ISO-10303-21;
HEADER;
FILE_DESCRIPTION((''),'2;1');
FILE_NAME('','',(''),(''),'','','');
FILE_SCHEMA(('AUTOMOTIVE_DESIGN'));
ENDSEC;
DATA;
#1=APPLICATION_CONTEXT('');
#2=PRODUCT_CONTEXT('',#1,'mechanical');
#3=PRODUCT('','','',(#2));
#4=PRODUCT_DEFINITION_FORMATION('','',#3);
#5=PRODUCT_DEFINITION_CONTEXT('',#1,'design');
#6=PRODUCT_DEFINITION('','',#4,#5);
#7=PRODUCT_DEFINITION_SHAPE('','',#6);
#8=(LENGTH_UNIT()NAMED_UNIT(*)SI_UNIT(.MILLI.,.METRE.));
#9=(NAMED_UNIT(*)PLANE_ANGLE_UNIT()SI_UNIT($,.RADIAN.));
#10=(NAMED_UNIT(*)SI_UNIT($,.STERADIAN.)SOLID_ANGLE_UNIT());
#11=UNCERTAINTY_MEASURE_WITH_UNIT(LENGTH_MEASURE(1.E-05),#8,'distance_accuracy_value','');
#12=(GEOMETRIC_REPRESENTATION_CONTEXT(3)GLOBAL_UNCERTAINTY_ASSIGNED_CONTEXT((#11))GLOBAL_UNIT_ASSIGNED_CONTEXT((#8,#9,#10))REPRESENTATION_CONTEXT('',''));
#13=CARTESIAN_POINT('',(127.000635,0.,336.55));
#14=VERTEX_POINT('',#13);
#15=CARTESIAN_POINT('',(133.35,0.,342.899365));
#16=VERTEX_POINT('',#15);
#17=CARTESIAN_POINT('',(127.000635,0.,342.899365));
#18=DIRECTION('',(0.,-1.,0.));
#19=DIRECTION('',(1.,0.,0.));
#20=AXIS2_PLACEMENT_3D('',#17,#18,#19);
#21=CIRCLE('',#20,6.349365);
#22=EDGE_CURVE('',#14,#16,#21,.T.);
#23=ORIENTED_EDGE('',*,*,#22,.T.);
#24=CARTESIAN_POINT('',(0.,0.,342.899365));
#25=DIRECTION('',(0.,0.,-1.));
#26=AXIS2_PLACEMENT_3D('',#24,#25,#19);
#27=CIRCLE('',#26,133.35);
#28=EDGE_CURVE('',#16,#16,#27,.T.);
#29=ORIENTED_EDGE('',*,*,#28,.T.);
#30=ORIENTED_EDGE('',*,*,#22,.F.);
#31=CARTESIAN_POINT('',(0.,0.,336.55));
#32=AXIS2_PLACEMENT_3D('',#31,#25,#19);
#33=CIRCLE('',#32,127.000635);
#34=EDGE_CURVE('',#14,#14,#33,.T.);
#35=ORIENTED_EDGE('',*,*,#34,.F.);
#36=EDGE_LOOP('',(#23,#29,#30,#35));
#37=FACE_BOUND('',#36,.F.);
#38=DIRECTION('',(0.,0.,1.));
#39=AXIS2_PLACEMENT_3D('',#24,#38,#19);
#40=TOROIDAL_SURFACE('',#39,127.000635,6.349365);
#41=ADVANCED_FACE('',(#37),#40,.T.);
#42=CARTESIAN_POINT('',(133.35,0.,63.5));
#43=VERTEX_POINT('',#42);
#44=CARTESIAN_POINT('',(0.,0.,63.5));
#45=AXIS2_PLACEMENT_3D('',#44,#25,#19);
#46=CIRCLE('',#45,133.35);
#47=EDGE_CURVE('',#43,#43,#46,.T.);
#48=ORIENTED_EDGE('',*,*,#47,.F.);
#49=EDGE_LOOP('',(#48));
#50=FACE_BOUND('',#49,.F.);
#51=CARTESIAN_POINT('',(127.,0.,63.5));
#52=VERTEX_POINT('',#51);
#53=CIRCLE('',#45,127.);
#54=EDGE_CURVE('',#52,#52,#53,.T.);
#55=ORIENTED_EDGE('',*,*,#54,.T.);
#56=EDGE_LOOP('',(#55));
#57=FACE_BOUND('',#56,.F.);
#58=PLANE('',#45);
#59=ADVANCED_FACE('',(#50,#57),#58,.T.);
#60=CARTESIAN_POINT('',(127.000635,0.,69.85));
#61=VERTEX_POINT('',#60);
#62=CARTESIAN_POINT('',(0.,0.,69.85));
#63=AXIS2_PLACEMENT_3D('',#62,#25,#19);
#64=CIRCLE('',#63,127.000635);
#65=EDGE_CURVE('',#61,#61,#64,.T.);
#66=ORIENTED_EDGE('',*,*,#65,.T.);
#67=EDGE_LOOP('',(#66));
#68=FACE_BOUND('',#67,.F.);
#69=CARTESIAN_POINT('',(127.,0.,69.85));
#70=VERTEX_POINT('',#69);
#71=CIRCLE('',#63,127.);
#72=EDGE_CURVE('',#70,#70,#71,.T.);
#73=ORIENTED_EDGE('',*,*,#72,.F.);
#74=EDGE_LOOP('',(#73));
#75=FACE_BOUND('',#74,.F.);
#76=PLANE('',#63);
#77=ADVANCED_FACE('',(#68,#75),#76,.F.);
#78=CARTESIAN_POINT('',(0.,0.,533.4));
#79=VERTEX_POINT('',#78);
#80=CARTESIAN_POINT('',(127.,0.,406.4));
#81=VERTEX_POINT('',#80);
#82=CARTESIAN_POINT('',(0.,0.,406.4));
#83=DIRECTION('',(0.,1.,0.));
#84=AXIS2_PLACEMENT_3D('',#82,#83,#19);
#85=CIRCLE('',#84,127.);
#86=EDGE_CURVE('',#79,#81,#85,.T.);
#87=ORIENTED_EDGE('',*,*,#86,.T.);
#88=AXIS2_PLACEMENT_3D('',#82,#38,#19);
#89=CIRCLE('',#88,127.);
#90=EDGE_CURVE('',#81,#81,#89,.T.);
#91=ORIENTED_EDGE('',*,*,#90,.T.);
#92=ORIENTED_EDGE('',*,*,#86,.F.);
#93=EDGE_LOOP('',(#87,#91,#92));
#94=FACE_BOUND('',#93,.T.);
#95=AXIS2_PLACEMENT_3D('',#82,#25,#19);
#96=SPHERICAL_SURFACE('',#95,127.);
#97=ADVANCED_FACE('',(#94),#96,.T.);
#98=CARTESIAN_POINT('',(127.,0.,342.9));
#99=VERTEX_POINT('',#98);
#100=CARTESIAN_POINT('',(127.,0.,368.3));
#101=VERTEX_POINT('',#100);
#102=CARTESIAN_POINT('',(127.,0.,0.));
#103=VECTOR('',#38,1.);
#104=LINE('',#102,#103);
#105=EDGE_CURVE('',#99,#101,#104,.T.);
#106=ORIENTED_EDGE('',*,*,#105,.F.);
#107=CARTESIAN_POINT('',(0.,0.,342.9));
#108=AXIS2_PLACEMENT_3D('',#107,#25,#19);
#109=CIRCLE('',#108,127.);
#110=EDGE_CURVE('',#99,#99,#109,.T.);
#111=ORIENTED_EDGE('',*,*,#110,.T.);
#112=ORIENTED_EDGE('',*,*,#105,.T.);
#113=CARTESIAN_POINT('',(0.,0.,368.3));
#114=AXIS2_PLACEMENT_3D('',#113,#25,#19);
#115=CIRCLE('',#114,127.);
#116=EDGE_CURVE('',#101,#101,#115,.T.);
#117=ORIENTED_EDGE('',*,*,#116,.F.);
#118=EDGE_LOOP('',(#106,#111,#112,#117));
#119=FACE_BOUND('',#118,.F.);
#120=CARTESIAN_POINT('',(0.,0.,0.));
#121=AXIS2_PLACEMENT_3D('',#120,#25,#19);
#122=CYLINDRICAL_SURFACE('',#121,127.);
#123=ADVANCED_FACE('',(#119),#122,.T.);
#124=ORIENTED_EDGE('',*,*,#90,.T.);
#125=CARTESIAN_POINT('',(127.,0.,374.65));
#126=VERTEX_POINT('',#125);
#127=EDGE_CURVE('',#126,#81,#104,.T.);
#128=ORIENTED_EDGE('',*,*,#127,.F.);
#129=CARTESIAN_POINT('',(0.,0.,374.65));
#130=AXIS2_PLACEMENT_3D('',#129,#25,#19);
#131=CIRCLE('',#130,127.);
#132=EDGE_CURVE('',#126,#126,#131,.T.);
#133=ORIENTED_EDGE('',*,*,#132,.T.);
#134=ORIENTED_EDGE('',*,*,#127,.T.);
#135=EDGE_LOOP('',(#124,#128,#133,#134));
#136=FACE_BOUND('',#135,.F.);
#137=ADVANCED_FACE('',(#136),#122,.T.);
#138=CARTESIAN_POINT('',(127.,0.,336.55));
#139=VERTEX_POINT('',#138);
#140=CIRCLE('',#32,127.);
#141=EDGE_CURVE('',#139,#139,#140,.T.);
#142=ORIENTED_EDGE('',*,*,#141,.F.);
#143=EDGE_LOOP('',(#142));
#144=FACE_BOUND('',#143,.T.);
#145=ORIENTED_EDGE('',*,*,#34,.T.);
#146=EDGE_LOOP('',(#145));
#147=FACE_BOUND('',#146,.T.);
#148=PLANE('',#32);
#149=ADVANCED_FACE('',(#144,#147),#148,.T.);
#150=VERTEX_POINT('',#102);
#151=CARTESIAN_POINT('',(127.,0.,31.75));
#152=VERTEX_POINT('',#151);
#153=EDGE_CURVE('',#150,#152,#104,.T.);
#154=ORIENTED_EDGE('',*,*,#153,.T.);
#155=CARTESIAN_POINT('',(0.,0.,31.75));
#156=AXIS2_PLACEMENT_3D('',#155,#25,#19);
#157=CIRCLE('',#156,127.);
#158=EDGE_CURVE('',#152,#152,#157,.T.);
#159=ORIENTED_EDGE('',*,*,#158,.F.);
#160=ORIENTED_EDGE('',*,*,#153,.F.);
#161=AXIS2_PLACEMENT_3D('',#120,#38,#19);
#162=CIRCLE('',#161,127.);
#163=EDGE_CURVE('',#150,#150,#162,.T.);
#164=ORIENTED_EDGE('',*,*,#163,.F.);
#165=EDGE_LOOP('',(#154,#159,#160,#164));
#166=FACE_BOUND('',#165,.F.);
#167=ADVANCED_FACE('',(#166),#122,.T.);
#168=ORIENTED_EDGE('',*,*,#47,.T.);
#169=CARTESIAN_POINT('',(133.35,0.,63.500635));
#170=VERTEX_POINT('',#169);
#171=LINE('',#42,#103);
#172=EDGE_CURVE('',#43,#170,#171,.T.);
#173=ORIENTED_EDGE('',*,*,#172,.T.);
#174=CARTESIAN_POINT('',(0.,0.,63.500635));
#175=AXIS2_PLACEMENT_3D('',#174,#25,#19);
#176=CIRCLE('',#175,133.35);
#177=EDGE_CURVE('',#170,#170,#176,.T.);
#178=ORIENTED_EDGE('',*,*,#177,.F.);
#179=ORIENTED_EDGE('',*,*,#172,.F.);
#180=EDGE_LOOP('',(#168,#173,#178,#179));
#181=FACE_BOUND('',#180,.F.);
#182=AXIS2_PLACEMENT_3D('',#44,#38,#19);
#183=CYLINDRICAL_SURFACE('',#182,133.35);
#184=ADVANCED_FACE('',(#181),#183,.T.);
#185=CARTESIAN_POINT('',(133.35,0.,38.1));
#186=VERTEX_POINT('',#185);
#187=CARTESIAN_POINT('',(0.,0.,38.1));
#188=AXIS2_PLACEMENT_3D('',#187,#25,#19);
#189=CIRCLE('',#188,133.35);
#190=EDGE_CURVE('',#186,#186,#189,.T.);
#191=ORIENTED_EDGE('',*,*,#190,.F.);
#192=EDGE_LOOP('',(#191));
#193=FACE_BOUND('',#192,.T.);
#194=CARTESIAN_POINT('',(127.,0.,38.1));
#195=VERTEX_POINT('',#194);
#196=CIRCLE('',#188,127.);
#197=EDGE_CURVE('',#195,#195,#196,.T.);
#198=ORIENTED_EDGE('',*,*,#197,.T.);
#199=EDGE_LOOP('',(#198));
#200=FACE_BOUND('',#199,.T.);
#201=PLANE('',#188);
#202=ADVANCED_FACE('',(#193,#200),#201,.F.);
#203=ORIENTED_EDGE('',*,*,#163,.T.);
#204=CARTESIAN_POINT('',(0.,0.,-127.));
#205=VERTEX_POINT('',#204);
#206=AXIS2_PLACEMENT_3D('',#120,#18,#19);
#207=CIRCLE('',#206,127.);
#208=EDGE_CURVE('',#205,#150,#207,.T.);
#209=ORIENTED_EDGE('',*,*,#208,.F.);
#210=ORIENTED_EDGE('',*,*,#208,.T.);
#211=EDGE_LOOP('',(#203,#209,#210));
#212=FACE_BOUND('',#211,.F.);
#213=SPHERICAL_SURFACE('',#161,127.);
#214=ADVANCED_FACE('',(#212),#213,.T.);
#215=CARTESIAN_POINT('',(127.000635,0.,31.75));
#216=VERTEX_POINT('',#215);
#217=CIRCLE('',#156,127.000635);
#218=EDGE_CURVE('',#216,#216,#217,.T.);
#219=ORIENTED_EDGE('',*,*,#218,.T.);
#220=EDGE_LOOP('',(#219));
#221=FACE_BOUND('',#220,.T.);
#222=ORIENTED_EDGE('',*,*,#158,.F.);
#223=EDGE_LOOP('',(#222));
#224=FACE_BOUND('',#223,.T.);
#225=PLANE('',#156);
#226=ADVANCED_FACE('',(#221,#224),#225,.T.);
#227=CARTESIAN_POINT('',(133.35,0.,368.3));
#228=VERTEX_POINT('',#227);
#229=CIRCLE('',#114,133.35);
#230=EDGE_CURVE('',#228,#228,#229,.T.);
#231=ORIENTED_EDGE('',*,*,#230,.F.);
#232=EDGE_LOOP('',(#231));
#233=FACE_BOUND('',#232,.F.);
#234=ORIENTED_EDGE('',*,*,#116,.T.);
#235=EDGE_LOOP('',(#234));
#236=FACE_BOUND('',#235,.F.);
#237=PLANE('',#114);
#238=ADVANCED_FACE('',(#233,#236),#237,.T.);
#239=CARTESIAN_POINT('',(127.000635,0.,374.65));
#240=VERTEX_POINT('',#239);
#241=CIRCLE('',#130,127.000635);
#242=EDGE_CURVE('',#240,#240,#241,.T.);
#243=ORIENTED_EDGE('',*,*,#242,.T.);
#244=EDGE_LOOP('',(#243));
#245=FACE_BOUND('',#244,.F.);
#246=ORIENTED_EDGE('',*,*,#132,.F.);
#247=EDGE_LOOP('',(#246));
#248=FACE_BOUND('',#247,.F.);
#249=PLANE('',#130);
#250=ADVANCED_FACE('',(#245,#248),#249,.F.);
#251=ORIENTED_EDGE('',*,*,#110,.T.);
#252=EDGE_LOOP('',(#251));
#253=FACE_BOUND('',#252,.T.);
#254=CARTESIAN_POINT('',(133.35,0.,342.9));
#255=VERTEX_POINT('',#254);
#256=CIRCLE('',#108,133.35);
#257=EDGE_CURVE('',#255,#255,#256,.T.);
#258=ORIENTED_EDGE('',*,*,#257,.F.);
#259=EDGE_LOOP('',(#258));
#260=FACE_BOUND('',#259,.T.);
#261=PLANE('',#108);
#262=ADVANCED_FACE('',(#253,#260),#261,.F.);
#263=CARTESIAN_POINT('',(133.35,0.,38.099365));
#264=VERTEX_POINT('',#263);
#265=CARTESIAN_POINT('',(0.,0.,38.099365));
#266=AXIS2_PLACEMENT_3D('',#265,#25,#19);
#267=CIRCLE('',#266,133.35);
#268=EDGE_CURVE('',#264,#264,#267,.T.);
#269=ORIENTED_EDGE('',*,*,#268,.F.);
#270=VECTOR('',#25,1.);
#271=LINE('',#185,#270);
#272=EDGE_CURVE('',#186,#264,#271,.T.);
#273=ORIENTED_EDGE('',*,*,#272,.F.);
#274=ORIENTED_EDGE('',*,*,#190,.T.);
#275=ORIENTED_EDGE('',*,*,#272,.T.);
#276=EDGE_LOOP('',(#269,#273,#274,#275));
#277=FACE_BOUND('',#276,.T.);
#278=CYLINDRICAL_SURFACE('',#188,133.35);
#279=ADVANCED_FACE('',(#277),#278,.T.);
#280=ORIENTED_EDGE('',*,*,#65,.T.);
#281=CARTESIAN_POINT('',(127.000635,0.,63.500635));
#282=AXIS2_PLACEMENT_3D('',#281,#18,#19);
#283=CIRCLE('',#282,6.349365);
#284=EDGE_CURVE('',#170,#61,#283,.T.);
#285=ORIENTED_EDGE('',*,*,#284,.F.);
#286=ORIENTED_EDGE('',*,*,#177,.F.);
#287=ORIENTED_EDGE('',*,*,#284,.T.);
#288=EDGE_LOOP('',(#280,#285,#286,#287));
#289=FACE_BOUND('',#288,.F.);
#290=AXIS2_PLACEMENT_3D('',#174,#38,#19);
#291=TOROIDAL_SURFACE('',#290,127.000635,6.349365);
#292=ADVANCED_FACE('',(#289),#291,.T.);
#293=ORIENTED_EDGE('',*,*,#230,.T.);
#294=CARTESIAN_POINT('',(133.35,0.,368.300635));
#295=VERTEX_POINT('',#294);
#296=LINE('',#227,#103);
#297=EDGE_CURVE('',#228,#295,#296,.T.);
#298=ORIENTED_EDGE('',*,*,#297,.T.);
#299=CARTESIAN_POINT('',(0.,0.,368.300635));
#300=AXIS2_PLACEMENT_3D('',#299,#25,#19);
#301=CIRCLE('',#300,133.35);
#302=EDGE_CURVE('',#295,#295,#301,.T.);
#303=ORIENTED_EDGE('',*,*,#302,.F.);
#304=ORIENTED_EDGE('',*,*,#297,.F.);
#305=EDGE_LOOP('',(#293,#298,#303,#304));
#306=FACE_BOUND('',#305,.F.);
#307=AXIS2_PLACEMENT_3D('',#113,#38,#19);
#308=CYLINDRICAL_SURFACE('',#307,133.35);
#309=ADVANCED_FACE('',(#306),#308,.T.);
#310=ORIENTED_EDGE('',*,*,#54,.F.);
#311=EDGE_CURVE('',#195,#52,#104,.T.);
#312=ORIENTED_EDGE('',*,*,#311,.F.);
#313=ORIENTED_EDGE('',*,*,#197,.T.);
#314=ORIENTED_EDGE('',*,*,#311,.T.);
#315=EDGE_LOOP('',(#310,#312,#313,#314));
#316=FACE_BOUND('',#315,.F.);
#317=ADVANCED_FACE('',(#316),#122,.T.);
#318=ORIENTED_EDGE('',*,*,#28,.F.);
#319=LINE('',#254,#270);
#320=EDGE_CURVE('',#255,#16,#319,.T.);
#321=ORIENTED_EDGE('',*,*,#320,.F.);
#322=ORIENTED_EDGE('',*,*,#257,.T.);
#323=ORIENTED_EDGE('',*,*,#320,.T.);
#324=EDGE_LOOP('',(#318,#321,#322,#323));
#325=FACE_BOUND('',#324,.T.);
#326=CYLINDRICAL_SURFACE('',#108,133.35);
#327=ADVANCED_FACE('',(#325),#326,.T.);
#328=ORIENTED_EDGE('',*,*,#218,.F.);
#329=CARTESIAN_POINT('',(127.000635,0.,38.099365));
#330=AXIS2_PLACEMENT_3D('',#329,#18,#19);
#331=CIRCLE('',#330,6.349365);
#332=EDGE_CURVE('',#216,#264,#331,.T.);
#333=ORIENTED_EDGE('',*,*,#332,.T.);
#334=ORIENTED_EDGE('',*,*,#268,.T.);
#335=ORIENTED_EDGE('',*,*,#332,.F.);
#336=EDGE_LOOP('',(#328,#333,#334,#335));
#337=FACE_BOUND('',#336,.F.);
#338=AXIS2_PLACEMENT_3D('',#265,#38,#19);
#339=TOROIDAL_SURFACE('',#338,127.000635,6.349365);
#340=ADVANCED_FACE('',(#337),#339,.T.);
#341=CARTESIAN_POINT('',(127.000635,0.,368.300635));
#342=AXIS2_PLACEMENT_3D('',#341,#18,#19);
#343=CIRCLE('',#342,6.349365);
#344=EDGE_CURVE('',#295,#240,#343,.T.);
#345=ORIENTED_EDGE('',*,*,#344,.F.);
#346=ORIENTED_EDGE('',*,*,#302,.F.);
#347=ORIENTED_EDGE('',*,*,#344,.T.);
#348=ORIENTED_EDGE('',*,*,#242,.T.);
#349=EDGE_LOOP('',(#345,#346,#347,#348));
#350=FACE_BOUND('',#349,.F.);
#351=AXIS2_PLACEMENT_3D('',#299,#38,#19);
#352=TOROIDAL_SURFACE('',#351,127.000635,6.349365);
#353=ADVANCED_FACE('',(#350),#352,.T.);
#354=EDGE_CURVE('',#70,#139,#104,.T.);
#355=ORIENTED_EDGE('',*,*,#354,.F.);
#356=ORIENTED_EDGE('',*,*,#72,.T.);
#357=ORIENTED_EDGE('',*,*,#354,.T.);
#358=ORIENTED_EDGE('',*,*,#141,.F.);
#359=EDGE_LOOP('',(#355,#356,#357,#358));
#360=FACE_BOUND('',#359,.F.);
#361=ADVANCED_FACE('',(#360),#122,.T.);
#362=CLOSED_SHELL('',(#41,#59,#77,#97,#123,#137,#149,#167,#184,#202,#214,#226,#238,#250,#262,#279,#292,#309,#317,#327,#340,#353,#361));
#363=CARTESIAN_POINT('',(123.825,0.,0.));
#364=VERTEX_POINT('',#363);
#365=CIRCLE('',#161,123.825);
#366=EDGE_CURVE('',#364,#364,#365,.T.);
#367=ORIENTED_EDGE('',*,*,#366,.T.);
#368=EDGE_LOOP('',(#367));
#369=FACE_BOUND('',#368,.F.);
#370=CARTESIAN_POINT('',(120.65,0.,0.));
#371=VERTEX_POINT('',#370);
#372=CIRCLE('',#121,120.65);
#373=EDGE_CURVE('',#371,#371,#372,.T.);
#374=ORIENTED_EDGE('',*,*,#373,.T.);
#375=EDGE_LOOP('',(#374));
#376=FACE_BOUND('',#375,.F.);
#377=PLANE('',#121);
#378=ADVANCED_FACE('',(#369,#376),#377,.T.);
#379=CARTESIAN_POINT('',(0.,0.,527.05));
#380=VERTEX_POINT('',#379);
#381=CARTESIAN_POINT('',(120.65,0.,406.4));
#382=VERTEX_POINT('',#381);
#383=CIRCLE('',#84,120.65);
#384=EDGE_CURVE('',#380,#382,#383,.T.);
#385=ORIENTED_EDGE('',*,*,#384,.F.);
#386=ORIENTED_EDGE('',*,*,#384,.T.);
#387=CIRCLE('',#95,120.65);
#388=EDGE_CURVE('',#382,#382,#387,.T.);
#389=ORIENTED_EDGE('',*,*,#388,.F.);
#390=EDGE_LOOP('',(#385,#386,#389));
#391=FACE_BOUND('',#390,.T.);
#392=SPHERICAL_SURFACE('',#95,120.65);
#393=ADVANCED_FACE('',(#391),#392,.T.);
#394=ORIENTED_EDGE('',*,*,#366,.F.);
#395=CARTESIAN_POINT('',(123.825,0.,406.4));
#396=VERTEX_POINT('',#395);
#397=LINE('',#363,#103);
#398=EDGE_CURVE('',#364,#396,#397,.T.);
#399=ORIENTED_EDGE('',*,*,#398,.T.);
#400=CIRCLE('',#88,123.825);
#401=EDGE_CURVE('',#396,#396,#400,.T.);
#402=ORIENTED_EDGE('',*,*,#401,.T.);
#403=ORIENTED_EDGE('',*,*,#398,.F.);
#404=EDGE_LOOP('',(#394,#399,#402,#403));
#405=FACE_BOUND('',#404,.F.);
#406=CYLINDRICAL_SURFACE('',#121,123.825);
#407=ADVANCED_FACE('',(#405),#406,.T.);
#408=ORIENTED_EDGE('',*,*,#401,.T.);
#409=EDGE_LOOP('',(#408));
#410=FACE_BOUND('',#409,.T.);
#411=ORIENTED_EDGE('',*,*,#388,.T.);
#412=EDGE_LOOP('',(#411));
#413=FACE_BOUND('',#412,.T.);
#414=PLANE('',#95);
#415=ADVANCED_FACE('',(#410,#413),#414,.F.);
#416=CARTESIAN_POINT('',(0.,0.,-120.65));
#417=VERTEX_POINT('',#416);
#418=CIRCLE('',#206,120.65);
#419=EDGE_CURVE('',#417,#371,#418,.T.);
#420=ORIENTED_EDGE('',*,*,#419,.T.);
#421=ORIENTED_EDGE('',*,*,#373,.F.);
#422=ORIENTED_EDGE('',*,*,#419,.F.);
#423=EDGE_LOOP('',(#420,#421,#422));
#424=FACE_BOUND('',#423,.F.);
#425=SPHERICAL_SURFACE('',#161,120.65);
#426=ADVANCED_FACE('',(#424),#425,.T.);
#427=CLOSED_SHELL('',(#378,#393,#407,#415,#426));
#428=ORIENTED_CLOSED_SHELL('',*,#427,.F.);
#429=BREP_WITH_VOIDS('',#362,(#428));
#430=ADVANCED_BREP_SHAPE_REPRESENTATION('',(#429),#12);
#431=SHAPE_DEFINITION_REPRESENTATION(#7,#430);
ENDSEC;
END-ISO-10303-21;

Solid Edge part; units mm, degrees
sketch "Sketch1" plane through (0, 0, 0) normal (0, 0, 1) x (1, 0, 0)
  circle A0 centre (0, 0) radius 123.825
  circle A1 centre (0, 0) radius 127
  dimension "D1" = 254
  dimension "D2" = 247.65
extrude "Protrusion1" add sketch "Sketch1" along normal blind 406.4
sketch "Sketch2" plane through (0, 0, 0) normal (0, -1, 0) x (1, 0, 0)
  arc A0 (0, 533.4) -> (127, 406.4) centre (0, 406.4) cw
  line L0 (120.65, 406.4) -> (127, 406.4)
  arc A1 (0, 527.05) -> (120.65, 406.4) centre (0, 406.4) cw
  line L1 (0, 527.05) -> (0, 533.4)
  arc A2 (0, -127) -> (127, 0) centre (0, 0) ccw
  line L2 (120.65, 0) -> (127, 0)
  arc A3 (0, -120.65) -> (120.65, 0) centre (0, 0) ccw
  line L3 (0, -120.65) -> (0, -127)
  line L4 (127, 368.3) -> (133.35, 368.3)
  line L5 (133.35, 368.3) -> (133.35, 374.65)
  line L6 (133.35, 374.65) -> (127, 374.65)
  line L7 (127, 374.65) -> (127, 368.3)
  line L8 (133.35, 342.9) -> (133.35, 336.55)
  line L9 (133.35, 336.55) -> (127, 336.55)
  line L10 (127, 336.55) -> (127, 342.9)
  line L11 (127, 342.9) -> (133.35, 342.9)
  line L12 (133.35, 31.75) -> (127, 31.75)
  line L13 (127, 31.75) -> (127, 38.1)
  line L14 (127, 38.1) -> (133.35, 38.1)
  line L15 (133.35, 38.1) -> (133.35, 31.75)
  line L16 (127, 63.5) -> (133.35, 63.5)
  line L17 (133.35, 63.5) -> (133.35, 69.85)
  line L18 (133.35, 69.85) -> (127, 69.85)
  line L19 (127, 69.85) -> (127, 63.5)
  dimension "D1" = 120.65
  dimension "D2" = 6.35
  dimension "D3" = 6.35
  dimension "D4" = 25.4
  dimension "D5" = 6.35
  dimension "D6" = 6.35
  dimension "D7" = 25.4
revolve "RevolvedProtrusion1" add sketch "Sketch2" angle 360 about axis through (0, 0, 0) along (0, 0, -1)
fillet "Round_1" radius 6.35 4 edges at (-133.35, 0, 374.65) (-133.35, 0, 336.55) (-133.35, 0, 31.75) (-133.35, 0, 69.85)
